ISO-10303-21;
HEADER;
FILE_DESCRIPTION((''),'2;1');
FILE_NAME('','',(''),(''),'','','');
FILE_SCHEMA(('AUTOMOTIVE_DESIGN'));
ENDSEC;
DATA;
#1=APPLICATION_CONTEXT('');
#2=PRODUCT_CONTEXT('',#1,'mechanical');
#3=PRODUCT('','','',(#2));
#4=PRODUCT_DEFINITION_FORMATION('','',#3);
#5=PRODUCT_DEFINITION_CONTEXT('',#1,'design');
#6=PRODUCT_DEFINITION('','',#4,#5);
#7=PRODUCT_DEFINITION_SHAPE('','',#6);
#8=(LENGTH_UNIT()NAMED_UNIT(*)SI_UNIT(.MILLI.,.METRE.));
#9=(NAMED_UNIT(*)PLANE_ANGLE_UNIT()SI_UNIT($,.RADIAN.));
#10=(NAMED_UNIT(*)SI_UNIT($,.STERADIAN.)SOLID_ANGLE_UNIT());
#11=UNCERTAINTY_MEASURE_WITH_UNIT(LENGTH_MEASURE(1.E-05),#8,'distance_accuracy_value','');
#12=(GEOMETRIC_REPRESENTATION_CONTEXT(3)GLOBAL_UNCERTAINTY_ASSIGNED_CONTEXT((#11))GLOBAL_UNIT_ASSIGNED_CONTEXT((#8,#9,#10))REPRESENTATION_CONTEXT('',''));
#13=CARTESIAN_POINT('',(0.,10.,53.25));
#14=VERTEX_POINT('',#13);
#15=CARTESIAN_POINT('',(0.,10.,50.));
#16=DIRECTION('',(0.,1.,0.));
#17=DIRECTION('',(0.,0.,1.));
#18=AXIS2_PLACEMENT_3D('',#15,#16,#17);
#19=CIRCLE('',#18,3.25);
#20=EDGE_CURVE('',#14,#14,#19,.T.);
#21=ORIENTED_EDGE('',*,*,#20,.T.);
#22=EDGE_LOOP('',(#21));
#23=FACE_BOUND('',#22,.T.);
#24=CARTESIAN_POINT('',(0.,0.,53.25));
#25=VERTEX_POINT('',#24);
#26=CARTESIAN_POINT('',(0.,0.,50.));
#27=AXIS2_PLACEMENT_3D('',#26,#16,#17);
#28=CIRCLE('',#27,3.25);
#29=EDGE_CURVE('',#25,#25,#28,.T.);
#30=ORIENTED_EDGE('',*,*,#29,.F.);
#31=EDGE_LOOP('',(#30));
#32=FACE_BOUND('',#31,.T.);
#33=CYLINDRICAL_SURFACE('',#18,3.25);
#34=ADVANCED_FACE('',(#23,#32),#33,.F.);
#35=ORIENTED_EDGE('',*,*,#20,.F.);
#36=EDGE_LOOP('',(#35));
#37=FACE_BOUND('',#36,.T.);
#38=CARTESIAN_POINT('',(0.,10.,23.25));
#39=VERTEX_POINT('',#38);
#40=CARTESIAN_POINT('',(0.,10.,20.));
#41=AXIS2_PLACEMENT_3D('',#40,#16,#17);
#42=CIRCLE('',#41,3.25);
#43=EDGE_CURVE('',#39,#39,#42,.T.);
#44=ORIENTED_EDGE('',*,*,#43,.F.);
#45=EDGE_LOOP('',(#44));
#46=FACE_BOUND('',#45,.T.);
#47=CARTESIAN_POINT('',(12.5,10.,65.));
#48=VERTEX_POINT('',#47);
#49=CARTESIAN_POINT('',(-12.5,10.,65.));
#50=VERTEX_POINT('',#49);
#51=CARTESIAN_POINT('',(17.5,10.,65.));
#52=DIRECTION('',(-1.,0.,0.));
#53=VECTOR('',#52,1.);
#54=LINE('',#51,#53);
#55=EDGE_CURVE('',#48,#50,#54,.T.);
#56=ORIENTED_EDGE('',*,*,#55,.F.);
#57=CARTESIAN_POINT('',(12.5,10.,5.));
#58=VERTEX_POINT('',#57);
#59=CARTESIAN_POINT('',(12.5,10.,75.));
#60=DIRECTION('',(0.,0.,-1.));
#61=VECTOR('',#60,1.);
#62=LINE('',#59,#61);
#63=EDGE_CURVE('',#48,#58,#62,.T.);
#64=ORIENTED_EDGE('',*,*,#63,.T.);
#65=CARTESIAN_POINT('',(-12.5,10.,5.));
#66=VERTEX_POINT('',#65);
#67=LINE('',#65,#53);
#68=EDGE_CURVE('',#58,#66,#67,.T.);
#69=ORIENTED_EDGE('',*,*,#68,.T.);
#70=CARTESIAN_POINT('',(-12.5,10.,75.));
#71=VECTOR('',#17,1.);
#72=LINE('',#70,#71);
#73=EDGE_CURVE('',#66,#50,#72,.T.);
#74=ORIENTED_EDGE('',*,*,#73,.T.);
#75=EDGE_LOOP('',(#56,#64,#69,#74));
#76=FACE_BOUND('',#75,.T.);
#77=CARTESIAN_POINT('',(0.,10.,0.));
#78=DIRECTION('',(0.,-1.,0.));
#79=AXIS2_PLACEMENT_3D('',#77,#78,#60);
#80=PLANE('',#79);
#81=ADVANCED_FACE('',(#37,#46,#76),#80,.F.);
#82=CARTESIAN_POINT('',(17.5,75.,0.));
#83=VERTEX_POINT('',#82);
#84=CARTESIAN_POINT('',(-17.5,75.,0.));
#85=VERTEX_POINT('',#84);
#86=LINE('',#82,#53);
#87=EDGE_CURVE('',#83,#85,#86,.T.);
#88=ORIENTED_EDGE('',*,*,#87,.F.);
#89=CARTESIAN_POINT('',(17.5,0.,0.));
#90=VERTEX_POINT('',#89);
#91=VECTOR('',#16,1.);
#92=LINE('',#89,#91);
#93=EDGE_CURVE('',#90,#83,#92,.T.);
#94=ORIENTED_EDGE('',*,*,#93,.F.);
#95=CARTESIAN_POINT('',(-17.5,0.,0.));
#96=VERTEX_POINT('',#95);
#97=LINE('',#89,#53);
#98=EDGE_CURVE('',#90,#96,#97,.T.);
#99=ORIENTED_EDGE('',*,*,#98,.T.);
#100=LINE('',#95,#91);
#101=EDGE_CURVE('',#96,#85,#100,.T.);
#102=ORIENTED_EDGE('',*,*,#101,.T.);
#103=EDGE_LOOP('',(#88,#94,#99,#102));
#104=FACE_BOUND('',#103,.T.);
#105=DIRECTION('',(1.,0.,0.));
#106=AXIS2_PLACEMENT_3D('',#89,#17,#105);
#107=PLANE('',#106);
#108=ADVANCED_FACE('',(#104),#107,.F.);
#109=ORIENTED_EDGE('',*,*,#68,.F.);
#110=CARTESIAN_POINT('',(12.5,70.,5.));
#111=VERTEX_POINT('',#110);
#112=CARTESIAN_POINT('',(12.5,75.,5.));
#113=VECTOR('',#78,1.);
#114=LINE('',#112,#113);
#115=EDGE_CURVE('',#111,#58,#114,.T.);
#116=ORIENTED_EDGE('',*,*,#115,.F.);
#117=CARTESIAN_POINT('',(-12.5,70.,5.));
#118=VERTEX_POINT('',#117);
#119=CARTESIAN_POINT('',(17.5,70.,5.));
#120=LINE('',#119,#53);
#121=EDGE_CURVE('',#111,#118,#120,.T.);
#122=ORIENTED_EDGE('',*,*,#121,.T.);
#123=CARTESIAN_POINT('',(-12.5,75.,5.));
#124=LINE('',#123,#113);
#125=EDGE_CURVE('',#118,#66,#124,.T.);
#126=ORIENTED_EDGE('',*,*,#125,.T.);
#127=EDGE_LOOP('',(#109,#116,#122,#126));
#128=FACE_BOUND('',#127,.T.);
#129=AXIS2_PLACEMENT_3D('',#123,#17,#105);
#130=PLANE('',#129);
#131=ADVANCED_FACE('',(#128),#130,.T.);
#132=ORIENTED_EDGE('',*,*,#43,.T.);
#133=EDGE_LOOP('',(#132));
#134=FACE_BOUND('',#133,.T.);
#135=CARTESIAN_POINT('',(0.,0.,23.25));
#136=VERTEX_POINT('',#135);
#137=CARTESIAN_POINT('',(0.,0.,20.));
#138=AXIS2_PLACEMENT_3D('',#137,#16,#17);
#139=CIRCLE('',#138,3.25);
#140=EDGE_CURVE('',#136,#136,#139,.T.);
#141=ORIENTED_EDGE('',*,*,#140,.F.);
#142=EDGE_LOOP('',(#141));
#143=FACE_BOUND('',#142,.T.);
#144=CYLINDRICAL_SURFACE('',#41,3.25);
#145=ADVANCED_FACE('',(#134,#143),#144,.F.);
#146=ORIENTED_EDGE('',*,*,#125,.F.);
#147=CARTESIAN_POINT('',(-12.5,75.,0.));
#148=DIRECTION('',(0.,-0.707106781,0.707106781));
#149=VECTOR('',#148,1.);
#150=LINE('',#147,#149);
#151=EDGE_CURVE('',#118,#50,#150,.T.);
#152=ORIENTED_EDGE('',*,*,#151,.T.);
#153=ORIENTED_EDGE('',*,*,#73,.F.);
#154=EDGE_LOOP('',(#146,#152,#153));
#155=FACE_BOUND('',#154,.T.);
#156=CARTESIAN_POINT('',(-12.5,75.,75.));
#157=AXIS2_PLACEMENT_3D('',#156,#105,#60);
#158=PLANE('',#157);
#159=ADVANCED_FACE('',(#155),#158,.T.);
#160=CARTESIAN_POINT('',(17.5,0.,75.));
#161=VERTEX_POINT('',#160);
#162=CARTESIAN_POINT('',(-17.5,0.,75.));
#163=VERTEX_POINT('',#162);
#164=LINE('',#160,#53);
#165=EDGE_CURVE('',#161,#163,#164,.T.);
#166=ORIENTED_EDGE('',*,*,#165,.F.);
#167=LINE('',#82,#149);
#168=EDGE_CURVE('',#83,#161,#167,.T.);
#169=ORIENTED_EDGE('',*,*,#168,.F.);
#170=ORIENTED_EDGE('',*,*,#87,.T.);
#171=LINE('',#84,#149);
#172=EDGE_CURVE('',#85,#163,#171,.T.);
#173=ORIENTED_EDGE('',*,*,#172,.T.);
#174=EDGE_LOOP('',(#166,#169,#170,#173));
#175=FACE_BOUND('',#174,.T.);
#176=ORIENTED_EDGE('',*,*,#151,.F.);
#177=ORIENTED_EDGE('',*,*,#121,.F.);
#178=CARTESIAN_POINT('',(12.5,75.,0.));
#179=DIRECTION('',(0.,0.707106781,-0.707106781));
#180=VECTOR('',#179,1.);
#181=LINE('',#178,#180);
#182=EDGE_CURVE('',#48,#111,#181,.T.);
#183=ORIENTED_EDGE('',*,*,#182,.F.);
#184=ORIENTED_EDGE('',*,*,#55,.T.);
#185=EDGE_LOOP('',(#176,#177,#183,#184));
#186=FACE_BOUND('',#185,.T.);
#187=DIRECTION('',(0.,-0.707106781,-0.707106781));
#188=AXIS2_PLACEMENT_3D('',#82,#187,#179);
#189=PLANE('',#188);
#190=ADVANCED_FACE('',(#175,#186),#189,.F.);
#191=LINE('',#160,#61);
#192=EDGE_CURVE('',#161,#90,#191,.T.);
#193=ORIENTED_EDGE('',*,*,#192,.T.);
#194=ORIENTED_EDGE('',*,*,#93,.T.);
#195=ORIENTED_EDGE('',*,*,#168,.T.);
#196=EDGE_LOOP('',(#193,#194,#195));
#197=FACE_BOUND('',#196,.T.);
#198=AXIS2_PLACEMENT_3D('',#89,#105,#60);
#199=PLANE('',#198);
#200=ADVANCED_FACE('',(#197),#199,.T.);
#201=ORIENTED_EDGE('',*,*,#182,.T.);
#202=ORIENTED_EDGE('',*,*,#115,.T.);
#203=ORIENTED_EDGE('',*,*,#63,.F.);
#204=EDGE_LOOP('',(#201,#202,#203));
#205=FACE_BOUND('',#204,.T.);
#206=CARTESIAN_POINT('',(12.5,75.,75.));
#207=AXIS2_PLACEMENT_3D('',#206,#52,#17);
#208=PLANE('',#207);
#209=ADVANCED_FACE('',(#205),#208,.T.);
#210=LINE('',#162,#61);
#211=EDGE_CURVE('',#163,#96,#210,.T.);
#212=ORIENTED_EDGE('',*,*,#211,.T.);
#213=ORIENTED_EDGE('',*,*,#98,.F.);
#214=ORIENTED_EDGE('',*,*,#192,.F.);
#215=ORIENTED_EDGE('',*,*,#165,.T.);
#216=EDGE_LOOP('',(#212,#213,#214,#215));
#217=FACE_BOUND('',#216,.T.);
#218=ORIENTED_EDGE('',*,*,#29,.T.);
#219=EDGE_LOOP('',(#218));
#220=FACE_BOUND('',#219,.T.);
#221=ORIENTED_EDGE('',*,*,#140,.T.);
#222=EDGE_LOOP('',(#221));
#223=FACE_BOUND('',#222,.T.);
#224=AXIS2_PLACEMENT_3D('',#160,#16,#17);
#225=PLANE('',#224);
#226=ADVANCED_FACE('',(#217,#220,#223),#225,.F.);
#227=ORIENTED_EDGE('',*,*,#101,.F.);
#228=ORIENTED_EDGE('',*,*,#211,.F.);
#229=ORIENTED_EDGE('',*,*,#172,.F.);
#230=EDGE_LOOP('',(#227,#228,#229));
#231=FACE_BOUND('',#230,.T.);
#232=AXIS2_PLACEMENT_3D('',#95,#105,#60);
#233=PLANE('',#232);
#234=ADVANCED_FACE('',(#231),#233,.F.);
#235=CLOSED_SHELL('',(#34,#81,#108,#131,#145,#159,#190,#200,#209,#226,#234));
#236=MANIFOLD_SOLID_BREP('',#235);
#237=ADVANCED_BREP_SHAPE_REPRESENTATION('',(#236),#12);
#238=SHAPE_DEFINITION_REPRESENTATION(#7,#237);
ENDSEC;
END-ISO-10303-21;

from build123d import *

# Parameters (mm, degrees)
BOSS_EXTRUDE1_DEPTH   = 17.5
CUT_EXTRUDE1_START    = 10
SKETCH2_W             = 25
SKETCH2_H             = 70
CUT_EXTRUDE1_DEPTH    = 98.5
F_6_0MM_DOWEL_HOLE1_D = 6.5


with BuildPart() as part:
    # Sketch1 → Boss-Extrude1 (new, symmetric)
    with BuildSketch(Plane(origin=(0, 0, 0), x_dir=(0, 0, -1), z_dir=(1, 0, 0))):
        Polygon((0, 0), (0, 75), (-75, 0), align=None)
    extrude(amount=BOSS_EXTRUDE1_DEPTH, both=True)

    # Sketch2 → Cut-Extrude1 (cut, through all)
    with BuildSketch(Plane(origin=(0, 0, 0), x_dir=(1, 0, 0), z_dir=(0, 1, 0)).offset(CUT_EXTRUDE1_START)):
        with Locations((0, -40)):
            Rectangle(SKETCH2_W, SKETCH2_H)
    extrude(amount=CUT_EXTRUDE1_DEPTH, mode=Mode.SUBTRACT)

    # Ø6.0mm Dowel Hole1 (through all)
    with Locations(Plane(origin=(0, 10, 0), x_dir=(1, 0, 0), z_dir=(0, 1, 0))):
        with Locations((0, -20), (0, -50)):
            Hole(F_6_0MM_DOWEL_HOLE1_D / 2)


solid = part.part
